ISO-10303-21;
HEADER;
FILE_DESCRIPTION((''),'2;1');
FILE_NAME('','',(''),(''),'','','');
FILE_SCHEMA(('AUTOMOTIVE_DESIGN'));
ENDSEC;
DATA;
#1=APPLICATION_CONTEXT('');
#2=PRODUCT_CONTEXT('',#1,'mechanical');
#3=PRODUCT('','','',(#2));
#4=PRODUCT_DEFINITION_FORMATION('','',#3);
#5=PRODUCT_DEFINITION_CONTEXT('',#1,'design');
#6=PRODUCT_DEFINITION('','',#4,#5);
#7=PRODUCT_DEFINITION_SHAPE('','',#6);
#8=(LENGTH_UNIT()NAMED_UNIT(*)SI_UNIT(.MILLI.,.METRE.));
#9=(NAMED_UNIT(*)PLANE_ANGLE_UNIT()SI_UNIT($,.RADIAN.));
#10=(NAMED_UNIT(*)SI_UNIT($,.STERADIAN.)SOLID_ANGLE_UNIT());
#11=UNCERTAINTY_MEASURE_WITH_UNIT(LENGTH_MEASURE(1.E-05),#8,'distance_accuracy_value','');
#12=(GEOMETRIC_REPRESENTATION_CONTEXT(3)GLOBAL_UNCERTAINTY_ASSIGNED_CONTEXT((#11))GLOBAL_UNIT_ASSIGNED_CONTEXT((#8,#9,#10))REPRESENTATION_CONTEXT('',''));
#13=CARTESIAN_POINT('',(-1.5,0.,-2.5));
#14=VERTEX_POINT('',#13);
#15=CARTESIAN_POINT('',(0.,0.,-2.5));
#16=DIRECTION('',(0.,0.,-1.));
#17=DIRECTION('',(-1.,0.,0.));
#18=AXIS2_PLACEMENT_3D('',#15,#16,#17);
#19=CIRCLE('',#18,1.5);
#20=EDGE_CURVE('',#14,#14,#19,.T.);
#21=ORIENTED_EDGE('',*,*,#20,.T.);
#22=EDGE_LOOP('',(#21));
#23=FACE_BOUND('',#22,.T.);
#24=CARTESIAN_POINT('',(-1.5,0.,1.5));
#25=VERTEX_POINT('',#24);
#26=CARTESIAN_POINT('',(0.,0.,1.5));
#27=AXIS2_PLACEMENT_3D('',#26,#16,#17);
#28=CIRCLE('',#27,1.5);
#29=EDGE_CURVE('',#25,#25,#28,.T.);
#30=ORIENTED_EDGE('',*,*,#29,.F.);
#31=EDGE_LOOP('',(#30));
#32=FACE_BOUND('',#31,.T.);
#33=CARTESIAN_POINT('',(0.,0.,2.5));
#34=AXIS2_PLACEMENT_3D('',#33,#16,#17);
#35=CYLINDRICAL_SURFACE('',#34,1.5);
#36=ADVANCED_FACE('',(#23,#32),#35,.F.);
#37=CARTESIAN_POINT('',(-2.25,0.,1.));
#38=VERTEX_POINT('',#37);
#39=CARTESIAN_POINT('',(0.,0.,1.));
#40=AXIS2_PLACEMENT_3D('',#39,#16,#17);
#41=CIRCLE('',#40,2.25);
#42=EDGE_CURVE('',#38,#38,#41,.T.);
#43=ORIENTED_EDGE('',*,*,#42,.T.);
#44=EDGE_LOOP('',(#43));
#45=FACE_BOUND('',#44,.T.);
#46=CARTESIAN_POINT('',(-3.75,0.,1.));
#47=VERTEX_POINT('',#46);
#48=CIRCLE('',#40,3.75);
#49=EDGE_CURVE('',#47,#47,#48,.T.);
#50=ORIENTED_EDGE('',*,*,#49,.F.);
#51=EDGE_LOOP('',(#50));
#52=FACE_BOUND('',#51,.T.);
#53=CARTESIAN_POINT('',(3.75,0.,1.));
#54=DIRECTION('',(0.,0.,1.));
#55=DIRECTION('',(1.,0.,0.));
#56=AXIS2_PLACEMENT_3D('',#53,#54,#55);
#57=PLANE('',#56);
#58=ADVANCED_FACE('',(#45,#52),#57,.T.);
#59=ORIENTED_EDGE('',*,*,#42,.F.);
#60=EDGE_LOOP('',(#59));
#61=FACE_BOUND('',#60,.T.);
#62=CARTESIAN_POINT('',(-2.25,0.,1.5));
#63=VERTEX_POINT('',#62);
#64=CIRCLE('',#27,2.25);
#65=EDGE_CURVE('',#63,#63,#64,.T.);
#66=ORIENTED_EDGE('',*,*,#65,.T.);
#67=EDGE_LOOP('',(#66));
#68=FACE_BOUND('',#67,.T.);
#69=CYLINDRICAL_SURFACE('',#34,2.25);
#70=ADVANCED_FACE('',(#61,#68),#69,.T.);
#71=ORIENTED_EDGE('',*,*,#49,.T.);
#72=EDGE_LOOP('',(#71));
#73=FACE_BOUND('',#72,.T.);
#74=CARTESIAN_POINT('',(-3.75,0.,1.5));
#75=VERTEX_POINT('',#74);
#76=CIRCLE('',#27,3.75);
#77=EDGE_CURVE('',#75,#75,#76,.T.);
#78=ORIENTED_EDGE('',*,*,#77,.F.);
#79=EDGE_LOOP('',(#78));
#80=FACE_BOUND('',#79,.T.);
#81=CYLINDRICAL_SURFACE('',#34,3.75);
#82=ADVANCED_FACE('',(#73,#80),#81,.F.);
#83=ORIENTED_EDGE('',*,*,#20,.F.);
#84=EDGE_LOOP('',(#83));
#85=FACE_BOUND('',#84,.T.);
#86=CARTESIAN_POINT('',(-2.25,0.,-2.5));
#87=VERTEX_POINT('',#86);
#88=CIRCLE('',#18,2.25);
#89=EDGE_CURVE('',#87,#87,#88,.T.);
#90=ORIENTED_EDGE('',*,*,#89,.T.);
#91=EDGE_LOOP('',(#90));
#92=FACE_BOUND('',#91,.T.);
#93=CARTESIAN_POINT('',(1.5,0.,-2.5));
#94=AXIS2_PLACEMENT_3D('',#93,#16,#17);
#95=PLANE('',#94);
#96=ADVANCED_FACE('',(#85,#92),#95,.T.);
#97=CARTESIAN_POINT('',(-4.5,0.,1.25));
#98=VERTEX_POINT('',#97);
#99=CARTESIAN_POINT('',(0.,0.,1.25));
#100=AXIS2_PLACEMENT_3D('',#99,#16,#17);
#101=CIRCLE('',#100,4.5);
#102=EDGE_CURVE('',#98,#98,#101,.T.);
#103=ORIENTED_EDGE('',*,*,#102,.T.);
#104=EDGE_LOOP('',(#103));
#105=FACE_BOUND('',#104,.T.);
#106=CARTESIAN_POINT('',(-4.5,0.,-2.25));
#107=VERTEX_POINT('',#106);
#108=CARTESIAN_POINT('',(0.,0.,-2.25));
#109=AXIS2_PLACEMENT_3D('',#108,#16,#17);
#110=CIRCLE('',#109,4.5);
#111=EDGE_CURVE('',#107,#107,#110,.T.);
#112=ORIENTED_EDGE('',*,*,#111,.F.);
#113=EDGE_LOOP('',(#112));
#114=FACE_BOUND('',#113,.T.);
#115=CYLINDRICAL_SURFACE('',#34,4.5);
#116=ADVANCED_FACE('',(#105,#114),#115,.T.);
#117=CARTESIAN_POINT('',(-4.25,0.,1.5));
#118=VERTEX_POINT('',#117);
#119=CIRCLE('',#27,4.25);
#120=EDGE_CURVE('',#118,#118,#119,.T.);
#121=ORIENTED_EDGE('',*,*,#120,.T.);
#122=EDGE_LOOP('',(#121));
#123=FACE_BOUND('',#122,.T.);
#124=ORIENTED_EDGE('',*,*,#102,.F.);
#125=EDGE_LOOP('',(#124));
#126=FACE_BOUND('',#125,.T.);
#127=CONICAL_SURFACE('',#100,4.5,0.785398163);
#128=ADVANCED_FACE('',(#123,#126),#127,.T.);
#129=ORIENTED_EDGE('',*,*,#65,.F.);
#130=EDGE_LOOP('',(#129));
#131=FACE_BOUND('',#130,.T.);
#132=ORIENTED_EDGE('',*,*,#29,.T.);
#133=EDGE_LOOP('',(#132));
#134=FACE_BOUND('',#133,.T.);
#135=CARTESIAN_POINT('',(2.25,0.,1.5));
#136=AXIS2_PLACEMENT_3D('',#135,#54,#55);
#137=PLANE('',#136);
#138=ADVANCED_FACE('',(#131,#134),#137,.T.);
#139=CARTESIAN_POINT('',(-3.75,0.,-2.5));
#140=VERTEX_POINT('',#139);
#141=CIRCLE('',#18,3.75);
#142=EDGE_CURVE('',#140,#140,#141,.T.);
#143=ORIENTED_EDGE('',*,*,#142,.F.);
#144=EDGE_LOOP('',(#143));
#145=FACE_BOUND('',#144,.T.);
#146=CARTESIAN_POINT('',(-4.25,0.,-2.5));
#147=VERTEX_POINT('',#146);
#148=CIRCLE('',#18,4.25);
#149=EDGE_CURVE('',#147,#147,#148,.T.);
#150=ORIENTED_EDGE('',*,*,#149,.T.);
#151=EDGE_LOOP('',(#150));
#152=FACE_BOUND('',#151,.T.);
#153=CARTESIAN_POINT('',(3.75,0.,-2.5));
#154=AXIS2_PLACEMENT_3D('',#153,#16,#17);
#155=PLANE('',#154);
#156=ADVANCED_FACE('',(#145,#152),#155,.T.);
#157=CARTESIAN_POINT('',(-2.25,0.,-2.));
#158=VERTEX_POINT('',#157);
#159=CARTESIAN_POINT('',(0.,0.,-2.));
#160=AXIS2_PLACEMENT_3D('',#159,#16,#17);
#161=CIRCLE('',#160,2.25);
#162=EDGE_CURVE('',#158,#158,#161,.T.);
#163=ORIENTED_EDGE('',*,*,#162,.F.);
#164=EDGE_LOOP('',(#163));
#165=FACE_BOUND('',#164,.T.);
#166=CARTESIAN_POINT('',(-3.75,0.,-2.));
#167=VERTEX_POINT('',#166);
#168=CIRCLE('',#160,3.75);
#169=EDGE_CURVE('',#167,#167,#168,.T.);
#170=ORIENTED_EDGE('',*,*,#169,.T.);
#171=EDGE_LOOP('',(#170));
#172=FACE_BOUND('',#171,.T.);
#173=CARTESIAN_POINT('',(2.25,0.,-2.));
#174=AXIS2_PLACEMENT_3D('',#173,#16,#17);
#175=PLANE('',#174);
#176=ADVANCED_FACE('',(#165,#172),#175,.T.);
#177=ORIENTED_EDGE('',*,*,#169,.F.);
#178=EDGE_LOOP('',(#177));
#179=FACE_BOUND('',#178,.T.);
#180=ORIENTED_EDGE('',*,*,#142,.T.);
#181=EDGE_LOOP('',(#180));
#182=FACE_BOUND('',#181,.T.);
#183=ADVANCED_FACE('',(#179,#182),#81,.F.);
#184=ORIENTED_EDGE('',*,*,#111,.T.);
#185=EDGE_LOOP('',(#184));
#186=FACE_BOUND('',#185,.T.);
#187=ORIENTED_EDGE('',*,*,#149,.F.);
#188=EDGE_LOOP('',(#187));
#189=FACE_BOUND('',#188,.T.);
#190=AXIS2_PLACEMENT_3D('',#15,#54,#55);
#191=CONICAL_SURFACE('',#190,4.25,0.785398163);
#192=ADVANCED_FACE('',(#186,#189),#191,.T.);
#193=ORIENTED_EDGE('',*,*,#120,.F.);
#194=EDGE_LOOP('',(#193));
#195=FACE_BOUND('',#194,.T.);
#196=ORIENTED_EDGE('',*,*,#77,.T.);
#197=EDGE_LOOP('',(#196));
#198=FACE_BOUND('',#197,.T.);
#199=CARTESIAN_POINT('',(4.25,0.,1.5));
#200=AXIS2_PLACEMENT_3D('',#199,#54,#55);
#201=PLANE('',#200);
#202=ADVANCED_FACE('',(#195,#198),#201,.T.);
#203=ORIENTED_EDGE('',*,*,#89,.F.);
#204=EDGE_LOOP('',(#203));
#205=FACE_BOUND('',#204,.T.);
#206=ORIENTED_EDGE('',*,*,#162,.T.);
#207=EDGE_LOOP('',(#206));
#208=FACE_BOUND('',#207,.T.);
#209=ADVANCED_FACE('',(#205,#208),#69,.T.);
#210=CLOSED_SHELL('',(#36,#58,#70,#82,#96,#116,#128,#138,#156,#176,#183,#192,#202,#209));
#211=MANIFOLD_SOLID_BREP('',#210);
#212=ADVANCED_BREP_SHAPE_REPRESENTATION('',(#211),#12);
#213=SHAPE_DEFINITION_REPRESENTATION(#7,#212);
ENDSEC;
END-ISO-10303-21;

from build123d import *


with BuildPart() as part:
    # Sketch1 → Revolve1 (revolve)
    with BuildSketch(Plane.XZ):
        Polygon((4.5, 1.25), (4.25, 1.5), (3.75, 1.5), (3.75, 1), (2.25, 1), (2.25, 1.5), (1.5, 1.5), (1.5, -2.5), (2.25, -2.5), (2.25, -2), (3.75, -2), (3.75, -2.5), (4.25, -2.5), (4.5, -2.25), align=None)
    revolve(axis=Axis((0, 0, 2.5), (0, 0, -1)))


solid = part.part
